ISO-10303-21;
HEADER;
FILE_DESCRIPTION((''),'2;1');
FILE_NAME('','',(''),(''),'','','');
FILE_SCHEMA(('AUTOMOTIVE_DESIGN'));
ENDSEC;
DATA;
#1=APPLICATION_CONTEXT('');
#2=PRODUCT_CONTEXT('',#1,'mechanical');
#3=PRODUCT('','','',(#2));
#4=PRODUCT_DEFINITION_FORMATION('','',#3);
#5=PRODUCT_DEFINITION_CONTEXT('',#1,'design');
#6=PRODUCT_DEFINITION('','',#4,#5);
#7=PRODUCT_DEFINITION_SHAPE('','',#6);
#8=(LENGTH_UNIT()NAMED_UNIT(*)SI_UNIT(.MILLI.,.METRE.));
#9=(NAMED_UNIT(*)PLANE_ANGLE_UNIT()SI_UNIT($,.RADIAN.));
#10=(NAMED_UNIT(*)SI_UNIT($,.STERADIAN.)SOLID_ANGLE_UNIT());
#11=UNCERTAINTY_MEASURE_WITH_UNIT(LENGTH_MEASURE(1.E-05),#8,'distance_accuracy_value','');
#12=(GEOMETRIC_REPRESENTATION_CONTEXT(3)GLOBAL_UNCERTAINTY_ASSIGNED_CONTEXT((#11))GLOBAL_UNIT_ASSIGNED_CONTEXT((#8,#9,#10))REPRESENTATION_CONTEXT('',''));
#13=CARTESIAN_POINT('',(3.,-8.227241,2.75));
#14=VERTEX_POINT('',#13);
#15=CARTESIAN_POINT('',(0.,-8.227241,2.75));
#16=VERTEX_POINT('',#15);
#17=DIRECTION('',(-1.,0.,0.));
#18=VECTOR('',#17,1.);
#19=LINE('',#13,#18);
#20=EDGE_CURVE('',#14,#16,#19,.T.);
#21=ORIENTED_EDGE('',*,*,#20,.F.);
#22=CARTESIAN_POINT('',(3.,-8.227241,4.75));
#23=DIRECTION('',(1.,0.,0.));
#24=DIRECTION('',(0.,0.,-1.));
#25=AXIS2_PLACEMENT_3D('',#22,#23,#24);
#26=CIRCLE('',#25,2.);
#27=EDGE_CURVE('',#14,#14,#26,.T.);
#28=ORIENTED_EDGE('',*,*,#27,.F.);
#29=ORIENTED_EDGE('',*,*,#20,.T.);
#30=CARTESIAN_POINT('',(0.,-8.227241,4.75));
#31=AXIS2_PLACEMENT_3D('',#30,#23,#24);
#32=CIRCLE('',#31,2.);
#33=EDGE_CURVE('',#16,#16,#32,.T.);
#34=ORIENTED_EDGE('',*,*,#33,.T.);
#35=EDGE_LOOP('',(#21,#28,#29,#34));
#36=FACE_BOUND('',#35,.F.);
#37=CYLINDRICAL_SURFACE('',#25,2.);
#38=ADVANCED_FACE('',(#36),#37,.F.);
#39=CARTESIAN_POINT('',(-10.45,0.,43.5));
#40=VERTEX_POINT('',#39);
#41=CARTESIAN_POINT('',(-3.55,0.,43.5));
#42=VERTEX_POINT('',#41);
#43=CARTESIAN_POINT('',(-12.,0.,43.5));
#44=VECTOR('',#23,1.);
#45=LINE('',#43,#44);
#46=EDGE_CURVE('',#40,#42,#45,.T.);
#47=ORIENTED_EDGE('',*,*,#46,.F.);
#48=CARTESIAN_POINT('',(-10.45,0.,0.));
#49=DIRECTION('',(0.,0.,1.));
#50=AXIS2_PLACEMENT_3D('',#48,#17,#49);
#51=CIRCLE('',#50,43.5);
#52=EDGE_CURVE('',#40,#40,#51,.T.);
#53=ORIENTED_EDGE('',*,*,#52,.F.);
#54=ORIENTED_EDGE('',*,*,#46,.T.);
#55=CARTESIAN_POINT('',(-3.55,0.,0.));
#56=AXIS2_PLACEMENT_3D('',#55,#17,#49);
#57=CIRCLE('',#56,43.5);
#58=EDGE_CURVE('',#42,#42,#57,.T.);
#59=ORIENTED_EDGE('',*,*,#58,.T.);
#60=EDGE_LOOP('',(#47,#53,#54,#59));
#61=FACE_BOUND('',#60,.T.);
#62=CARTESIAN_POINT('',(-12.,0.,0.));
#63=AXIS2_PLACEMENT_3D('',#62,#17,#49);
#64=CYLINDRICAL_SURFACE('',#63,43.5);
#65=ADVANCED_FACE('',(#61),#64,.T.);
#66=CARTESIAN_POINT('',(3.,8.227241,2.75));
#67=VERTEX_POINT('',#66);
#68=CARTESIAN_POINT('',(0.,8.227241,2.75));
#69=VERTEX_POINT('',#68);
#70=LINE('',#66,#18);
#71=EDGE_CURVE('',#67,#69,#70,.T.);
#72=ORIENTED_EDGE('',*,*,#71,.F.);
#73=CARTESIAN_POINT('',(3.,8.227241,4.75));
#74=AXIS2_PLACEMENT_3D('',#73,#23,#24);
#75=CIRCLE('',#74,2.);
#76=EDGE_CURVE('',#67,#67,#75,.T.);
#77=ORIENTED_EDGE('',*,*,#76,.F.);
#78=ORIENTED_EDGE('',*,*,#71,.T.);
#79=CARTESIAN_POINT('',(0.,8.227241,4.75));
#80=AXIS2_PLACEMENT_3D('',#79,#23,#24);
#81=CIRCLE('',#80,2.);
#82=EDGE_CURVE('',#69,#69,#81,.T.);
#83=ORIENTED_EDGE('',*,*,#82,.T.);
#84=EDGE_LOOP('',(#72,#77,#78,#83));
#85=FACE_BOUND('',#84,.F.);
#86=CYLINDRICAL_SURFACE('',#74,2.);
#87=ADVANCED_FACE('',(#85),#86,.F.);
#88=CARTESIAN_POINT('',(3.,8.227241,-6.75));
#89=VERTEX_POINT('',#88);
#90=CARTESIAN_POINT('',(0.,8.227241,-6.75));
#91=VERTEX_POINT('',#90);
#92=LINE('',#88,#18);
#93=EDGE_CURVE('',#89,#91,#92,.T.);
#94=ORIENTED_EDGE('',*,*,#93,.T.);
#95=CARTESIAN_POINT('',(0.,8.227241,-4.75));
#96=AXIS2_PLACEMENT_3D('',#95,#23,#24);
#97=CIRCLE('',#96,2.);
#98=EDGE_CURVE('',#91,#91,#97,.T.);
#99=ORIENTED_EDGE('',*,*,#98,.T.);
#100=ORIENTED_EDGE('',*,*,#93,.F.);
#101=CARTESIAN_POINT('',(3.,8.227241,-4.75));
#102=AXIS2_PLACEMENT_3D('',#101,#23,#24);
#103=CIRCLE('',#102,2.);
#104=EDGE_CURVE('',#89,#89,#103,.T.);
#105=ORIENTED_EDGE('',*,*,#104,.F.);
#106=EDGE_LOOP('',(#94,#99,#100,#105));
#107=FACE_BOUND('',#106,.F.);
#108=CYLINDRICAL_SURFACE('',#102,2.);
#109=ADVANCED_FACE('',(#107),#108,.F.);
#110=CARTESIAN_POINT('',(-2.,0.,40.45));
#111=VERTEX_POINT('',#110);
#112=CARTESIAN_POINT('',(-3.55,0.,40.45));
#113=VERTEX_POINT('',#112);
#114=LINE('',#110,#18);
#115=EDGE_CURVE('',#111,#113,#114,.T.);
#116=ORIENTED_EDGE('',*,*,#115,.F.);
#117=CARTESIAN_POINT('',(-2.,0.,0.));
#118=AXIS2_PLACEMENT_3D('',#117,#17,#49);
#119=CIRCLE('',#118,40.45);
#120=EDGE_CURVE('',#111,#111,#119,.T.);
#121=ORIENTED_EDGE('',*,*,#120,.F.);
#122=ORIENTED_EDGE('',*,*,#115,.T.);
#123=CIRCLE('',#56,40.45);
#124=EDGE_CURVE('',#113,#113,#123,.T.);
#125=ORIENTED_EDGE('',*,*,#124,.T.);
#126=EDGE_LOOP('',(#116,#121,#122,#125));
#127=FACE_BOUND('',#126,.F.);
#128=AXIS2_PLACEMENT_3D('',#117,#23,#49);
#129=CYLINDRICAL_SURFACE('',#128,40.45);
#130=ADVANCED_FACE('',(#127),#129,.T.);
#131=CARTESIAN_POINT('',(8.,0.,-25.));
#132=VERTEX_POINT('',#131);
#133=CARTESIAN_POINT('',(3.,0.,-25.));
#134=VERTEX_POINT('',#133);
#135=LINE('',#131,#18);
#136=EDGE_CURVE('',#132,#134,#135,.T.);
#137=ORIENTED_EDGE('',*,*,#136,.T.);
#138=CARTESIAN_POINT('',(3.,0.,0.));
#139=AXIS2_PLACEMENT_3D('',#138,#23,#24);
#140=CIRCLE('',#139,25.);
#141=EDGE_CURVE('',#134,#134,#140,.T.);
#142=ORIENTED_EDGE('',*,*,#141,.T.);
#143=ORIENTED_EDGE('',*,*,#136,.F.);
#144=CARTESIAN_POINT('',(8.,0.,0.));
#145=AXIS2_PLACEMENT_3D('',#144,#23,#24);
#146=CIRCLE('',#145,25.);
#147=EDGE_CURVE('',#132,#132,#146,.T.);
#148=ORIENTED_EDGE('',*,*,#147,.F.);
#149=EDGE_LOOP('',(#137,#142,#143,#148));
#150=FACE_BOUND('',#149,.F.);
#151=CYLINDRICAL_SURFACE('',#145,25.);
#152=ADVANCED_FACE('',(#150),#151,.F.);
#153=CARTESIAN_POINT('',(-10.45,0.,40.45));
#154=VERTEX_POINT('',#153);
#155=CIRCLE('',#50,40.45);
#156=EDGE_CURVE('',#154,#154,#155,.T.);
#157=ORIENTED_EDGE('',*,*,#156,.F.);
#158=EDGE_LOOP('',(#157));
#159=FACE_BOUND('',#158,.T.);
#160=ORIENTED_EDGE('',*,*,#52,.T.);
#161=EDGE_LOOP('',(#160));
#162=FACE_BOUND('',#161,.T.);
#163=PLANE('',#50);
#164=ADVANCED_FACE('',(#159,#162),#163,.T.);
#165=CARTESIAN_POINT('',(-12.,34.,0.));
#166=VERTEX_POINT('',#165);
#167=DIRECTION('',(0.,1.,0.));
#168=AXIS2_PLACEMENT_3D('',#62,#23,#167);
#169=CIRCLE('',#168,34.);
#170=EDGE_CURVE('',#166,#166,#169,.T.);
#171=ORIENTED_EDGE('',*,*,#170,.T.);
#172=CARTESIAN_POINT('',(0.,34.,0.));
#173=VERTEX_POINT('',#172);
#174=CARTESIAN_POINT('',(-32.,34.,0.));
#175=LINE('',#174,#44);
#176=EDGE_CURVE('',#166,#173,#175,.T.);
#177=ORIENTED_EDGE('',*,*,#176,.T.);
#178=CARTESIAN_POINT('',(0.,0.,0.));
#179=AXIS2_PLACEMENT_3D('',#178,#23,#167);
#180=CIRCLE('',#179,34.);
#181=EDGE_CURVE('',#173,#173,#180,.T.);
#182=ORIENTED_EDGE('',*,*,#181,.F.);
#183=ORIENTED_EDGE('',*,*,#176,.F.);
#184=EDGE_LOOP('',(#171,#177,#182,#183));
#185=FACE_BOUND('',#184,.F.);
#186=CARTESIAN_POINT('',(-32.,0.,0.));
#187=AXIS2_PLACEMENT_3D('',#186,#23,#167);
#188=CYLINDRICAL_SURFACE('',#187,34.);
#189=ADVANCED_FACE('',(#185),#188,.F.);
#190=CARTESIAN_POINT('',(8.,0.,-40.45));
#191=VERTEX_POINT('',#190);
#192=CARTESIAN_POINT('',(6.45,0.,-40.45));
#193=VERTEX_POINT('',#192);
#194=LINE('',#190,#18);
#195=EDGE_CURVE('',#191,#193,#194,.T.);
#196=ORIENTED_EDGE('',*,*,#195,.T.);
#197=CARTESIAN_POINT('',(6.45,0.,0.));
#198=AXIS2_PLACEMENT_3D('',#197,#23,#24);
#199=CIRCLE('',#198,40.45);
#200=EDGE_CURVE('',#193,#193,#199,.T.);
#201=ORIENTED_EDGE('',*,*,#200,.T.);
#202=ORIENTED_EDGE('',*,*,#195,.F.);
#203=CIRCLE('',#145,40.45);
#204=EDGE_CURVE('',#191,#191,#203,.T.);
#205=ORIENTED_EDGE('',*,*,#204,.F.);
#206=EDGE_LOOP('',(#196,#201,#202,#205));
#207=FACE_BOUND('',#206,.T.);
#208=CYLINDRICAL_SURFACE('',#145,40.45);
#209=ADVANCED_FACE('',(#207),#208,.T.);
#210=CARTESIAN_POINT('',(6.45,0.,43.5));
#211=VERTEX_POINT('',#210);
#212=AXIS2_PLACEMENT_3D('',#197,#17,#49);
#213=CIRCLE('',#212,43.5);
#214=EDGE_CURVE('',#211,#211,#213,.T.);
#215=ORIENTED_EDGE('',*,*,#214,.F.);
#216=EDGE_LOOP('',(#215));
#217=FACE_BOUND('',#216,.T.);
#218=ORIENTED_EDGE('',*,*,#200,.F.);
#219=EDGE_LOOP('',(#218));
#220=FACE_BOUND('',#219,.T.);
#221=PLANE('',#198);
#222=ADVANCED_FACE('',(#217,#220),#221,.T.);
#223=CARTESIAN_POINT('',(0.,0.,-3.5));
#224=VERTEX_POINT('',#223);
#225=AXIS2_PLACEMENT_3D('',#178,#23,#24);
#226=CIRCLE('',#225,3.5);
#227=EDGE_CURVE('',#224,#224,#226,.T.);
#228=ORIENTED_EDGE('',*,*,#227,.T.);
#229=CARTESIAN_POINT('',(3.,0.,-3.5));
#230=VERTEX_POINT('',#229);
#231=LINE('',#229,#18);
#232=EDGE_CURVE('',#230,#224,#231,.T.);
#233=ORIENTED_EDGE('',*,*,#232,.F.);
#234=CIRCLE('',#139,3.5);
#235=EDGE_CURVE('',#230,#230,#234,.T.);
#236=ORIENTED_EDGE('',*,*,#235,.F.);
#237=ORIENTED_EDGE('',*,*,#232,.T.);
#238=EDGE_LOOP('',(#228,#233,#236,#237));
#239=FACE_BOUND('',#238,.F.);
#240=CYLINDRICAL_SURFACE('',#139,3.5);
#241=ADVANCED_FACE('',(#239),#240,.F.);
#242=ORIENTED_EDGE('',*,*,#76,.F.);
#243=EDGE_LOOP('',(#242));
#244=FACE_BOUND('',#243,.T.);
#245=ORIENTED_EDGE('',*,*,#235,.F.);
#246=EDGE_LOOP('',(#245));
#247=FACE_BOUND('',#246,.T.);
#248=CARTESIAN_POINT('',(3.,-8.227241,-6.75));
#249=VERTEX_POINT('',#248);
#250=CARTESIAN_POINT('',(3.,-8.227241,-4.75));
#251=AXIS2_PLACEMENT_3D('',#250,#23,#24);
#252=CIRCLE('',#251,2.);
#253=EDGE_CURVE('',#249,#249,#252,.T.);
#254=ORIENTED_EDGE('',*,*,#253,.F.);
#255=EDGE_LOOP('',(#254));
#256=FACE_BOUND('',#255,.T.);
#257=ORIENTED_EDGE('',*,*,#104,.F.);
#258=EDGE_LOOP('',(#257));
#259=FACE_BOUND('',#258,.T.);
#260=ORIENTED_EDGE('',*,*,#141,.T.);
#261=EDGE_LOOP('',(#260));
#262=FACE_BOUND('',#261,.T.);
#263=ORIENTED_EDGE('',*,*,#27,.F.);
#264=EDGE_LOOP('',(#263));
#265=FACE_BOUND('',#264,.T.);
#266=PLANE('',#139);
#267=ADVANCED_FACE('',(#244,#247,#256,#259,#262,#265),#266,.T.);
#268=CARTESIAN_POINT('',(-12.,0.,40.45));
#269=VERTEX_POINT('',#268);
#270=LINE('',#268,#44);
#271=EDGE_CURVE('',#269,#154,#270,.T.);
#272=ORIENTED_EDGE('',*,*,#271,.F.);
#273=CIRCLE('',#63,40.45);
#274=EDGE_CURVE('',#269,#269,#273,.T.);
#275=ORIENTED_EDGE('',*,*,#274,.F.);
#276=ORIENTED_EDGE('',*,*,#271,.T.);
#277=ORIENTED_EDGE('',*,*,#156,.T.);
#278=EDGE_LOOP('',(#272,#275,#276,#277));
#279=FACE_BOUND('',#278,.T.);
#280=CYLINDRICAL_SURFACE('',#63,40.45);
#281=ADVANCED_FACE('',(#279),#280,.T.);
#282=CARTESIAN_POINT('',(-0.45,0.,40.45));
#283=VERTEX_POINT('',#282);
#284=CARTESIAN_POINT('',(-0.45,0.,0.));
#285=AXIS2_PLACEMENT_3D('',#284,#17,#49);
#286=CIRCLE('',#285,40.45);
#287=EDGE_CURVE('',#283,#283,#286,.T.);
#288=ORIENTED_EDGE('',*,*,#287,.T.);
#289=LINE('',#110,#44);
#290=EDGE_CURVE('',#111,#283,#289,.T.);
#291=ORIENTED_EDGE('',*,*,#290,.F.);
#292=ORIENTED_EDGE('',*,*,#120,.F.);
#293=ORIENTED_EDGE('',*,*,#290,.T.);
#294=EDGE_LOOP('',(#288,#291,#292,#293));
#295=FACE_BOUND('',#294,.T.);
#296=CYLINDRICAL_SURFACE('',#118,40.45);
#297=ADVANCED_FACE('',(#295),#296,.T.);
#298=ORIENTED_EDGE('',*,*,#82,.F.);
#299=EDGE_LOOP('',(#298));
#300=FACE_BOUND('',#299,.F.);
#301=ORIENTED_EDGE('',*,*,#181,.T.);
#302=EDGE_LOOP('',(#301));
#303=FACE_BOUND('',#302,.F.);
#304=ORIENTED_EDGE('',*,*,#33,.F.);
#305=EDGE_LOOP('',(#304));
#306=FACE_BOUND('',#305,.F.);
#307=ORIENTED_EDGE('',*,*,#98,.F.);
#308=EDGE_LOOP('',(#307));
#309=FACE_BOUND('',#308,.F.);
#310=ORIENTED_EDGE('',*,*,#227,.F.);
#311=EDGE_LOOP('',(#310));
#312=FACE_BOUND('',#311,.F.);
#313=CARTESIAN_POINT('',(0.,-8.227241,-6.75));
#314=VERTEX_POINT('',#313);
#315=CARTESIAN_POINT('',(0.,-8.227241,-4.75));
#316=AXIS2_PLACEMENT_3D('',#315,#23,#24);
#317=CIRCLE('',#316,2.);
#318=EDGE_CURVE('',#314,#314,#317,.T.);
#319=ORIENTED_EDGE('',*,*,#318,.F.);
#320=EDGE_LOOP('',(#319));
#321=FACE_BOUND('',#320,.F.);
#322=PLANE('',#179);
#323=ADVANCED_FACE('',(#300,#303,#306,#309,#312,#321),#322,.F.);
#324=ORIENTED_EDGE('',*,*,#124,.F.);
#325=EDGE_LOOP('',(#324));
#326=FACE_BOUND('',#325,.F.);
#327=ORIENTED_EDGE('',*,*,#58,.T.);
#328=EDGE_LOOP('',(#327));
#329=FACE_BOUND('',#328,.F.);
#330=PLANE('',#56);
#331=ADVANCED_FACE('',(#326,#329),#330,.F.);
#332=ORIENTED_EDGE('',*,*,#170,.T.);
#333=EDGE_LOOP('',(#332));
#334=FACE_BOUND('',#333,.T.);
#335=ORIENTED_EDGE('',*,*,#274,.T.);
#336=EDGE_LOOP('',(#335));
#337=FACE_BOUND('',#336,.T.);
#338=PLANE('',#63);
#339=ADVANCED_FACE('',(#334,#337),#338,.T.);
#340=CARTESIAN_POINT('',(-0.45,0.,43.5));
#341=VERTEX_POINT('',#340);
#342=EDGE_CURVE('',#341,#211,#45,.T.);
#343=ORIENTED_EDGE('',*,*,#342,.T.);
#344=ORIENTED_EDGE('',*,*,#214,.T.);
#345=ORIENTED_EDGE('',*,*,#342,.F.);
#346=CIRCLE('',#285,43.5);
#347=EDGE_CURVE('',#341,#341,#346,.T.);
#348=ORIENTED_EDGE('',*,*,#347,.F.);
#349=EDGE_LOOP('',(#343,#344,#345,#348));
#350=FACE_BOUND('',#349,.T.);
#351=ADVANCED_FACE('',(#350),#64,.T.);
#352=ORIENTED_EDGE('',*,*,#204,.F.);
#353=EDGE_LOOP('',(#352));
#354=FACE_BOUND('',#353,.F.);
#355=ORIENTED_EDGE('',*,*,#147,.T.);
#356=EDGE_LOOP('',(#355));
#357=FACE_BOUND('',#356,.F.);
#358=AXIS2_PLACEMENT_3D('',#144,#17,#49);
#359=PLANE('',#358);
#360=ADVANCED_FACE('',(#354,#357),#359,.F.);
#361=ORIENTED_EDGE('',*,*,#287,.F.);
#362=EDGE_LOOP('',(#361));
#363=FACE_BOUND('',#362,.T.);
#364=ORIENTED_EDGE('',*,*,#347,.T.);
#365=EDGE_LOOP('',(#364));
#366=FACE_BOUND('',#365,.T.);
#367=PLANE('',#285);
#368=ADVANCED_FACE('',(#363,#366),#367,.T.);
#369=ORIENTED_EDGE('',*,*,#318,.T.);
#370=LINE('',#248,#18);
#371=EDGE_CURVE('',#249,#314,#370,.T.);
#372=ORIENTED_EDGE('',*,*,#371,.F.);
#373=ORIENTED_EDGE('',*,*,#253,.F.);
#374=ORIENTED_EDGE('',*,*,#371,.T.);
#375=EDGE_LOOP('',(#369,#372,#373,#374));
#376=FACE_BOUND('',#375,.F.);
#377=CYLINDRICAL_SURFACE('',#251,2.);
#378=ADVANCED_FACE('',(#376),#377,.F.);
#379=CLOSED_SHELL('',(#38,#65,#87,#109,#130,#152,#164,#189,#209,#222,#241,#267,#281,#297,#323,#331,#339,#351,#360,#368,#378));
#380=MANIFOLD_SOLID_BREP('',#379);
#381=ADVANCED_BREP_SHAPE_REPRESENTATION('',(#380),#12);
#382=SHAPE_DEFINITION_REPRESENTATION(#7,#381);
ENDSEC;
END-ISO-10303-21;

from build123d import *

# Parameters (mm, degrees)
ESQUISSE2_W             = 5
ESQUISSE2_H             = 12.5
ESQUISSE3_R             = 2
ENL_V_MAT_EXTRU_1_DEPTH = 36
ESQUISSE4_R             = 3.5
ENL_V_MAT_EXTRU_2_DEPTH = 36
SKETCH1_R               = 40
CUT_EXTRUDE1_DEPTH      = 20
SKETCH2_R               = 40
SKETCH2_R_2             = 39
BOSS_EXTRUDE2_DEPTH     = 15
SKETCH3_R               = 25
CUT_EXTRUDE2_DEPTH      = 5
SKETCH4_R               = 43.5
SKETCH4_R_2             = 40
BOSS_EXTRUDE3_DEPTH     = 20
SKETCH5_R               = 43.5
SKETCH5_R_2             = 40.45
CUT_EXTRUDE3_DEPTH      = 1.55
SKETCH6_R               = 43.5
SKETCH6_R_2             = 40.45
CUT_EXTRUDE4_DEPTH      = 1.55
CUT_EXTRUDE4_DEPTH_BACK = 1.55
SKETCH7_R               = 43.5
SKETCH7_R_2             = 40.45
CUT_EXTRUDE5_DEPTH      = 1.55


with BuildPart() as part:
    # Esquisse1 → Révolution1 (revolve)
    with BuildSketch(Plane.XY):
        Polygon((0, 34), (0, 0), (8, 0), (8, 40), (3, 40), (3, 39), (-27, 39), (-27, 40), (-32, 40), (-32, 34), align=None)
    revolve(axis=Axis((-49.644499027, 0, 0), (1, 0, 0)))

    # Esquisse2 → Enlèvement de matière-Révolution1 (revolve, cut)
    with BuildSketch(Plane.XY):
        with Locations((5.5, 6.25)):
            Rectangle(ESQUISSE2_W, ESQUISSE2_H)
    revolve(axis=Axis((0, 0, 0), (1, 0, 0)), mode=Mode.SUBTRACT)

    # Esquisse3 → Enlèv. mat.-Extru.1 (cut, through all)
    with BuildSketch(Plane(origin=(3, 0, 0), x_dir=(0, 0, -1), z_dir=(1, 0, 0))):
        with Locations((4.75, 8.227241336)):
            Circle(ESQUISSE3_R)
        with Locations((-4.75, 8.227241336)):
            Circle(ESQUISSE3_R)
        with Locations((4.75, -8.227241336)):
            Circle(ESQUISSE3_R)
        with Locations((-4.75, -8.227241336)):
            Circle(ESQUISSE3_R)
    extrude(amount=-ENL_V_MAT_EXTRU_1_DEPTH, mode=Mode.SUBTRACT)

    # Esquisse4 → Enlèv. mat.-Extru.2 (cut, through all)
    with BuildSketch(Plane(origin=(3, 0, 0), x_dir=(0, 0, -1), z_dir=(1, 0, 0))):
        Circle(ESQUISSE4_R)
    extrude(amount=-ENL_V_MAT_EXTRU_2_DEPTH, mode=Mode.SUBTRACT)

    # Sketch1 → Cut-Extrude1 (cut)
    with BuildSketch(Plane.ZY.offset(32)):
        Circle(SKETCH1_R)
    extrude(amount=-CUT_EXTRUDE1_DEPTH, mode=Mode.SUBTRACT)

    # Sketch2 → Boss-Extrude2 (add)
    with BuildSketch(Plane.ZY.offset(-3)):
        Circle(SKETCH2_R)
        Circle(SKETCH2_R_2, mode=Mode.SUBTRACT)
    extrude(amount=BOSS_EXTRUDE2_DEPTH)

    # Sketch3 → Cut-Extrude2 (cut)
    with BuildSketch(Plane(origin=(8, 0, 0), x_dir=(0, 0, -1), z_dir=(1, 0, 0))):
        Circle(SKETCH3_R)
    extrude(amount=-CUT_EXTRUDE2_DEPTH, mode=Mode.SUBTRACT)

    # Sketch4 → Boss-Extrude3 (add)
    with BuildSketch(Plane.ZY.offset(12)):
        Circle(SKETCH4_R)
        Circle(SKETCH4_R_2, mode=Mode.SUBTRACT)
    extrude(amount=-BOSS_EXTRUDE3_DEPTH)

    # Sketch5 → Cut-Extrude3 (cut)
    with BuildSketch(Plane.ZY.offset(12)):
        Circle(SKETCH5_R)
        Circle(SKETCH5_R_2, mode=Mode.SUBTRACT)
    extrude(amount=-CUT_EXTRUDE3_DEPTH, mode=Mode.SUBTRACT)

    # Sketch6 → Cut-Extrude4 (cut, two sides)
    with BuildSketch(Plane.ZY.offset(2)) as cut_extrude4_sk:
        Circle(SKETCH6_R)
        Circle(SKETCH6_R_2, mode=Mode.SUBTRACT)
    extrude(amount=CUT_EXTRUDE4_DEPTH, mode=Mode.SUBTRACT)
    extrude(cut_extrude4_sk.sketch, amount=-CUT_EXTRUDE4_DEPTH_BACK, mode=Mode.SUBTRACT)

    # Sketch7 → Cut-Extrude5 (cut)
    with BuildSketch(Plane(origin=(8, 0, 0), x_dir=(0, 0, -1), z_dir=(1, 0, 0))):
        Circle(SKETCH7_R)
        Circle(SKETCH7_R_2, mode=Mode.SUBTRACT)
    extrude(amount=-CUT_EXTRUDE5_DEPTH, mode=Mode.SUBTRACT)


solid = part.part
